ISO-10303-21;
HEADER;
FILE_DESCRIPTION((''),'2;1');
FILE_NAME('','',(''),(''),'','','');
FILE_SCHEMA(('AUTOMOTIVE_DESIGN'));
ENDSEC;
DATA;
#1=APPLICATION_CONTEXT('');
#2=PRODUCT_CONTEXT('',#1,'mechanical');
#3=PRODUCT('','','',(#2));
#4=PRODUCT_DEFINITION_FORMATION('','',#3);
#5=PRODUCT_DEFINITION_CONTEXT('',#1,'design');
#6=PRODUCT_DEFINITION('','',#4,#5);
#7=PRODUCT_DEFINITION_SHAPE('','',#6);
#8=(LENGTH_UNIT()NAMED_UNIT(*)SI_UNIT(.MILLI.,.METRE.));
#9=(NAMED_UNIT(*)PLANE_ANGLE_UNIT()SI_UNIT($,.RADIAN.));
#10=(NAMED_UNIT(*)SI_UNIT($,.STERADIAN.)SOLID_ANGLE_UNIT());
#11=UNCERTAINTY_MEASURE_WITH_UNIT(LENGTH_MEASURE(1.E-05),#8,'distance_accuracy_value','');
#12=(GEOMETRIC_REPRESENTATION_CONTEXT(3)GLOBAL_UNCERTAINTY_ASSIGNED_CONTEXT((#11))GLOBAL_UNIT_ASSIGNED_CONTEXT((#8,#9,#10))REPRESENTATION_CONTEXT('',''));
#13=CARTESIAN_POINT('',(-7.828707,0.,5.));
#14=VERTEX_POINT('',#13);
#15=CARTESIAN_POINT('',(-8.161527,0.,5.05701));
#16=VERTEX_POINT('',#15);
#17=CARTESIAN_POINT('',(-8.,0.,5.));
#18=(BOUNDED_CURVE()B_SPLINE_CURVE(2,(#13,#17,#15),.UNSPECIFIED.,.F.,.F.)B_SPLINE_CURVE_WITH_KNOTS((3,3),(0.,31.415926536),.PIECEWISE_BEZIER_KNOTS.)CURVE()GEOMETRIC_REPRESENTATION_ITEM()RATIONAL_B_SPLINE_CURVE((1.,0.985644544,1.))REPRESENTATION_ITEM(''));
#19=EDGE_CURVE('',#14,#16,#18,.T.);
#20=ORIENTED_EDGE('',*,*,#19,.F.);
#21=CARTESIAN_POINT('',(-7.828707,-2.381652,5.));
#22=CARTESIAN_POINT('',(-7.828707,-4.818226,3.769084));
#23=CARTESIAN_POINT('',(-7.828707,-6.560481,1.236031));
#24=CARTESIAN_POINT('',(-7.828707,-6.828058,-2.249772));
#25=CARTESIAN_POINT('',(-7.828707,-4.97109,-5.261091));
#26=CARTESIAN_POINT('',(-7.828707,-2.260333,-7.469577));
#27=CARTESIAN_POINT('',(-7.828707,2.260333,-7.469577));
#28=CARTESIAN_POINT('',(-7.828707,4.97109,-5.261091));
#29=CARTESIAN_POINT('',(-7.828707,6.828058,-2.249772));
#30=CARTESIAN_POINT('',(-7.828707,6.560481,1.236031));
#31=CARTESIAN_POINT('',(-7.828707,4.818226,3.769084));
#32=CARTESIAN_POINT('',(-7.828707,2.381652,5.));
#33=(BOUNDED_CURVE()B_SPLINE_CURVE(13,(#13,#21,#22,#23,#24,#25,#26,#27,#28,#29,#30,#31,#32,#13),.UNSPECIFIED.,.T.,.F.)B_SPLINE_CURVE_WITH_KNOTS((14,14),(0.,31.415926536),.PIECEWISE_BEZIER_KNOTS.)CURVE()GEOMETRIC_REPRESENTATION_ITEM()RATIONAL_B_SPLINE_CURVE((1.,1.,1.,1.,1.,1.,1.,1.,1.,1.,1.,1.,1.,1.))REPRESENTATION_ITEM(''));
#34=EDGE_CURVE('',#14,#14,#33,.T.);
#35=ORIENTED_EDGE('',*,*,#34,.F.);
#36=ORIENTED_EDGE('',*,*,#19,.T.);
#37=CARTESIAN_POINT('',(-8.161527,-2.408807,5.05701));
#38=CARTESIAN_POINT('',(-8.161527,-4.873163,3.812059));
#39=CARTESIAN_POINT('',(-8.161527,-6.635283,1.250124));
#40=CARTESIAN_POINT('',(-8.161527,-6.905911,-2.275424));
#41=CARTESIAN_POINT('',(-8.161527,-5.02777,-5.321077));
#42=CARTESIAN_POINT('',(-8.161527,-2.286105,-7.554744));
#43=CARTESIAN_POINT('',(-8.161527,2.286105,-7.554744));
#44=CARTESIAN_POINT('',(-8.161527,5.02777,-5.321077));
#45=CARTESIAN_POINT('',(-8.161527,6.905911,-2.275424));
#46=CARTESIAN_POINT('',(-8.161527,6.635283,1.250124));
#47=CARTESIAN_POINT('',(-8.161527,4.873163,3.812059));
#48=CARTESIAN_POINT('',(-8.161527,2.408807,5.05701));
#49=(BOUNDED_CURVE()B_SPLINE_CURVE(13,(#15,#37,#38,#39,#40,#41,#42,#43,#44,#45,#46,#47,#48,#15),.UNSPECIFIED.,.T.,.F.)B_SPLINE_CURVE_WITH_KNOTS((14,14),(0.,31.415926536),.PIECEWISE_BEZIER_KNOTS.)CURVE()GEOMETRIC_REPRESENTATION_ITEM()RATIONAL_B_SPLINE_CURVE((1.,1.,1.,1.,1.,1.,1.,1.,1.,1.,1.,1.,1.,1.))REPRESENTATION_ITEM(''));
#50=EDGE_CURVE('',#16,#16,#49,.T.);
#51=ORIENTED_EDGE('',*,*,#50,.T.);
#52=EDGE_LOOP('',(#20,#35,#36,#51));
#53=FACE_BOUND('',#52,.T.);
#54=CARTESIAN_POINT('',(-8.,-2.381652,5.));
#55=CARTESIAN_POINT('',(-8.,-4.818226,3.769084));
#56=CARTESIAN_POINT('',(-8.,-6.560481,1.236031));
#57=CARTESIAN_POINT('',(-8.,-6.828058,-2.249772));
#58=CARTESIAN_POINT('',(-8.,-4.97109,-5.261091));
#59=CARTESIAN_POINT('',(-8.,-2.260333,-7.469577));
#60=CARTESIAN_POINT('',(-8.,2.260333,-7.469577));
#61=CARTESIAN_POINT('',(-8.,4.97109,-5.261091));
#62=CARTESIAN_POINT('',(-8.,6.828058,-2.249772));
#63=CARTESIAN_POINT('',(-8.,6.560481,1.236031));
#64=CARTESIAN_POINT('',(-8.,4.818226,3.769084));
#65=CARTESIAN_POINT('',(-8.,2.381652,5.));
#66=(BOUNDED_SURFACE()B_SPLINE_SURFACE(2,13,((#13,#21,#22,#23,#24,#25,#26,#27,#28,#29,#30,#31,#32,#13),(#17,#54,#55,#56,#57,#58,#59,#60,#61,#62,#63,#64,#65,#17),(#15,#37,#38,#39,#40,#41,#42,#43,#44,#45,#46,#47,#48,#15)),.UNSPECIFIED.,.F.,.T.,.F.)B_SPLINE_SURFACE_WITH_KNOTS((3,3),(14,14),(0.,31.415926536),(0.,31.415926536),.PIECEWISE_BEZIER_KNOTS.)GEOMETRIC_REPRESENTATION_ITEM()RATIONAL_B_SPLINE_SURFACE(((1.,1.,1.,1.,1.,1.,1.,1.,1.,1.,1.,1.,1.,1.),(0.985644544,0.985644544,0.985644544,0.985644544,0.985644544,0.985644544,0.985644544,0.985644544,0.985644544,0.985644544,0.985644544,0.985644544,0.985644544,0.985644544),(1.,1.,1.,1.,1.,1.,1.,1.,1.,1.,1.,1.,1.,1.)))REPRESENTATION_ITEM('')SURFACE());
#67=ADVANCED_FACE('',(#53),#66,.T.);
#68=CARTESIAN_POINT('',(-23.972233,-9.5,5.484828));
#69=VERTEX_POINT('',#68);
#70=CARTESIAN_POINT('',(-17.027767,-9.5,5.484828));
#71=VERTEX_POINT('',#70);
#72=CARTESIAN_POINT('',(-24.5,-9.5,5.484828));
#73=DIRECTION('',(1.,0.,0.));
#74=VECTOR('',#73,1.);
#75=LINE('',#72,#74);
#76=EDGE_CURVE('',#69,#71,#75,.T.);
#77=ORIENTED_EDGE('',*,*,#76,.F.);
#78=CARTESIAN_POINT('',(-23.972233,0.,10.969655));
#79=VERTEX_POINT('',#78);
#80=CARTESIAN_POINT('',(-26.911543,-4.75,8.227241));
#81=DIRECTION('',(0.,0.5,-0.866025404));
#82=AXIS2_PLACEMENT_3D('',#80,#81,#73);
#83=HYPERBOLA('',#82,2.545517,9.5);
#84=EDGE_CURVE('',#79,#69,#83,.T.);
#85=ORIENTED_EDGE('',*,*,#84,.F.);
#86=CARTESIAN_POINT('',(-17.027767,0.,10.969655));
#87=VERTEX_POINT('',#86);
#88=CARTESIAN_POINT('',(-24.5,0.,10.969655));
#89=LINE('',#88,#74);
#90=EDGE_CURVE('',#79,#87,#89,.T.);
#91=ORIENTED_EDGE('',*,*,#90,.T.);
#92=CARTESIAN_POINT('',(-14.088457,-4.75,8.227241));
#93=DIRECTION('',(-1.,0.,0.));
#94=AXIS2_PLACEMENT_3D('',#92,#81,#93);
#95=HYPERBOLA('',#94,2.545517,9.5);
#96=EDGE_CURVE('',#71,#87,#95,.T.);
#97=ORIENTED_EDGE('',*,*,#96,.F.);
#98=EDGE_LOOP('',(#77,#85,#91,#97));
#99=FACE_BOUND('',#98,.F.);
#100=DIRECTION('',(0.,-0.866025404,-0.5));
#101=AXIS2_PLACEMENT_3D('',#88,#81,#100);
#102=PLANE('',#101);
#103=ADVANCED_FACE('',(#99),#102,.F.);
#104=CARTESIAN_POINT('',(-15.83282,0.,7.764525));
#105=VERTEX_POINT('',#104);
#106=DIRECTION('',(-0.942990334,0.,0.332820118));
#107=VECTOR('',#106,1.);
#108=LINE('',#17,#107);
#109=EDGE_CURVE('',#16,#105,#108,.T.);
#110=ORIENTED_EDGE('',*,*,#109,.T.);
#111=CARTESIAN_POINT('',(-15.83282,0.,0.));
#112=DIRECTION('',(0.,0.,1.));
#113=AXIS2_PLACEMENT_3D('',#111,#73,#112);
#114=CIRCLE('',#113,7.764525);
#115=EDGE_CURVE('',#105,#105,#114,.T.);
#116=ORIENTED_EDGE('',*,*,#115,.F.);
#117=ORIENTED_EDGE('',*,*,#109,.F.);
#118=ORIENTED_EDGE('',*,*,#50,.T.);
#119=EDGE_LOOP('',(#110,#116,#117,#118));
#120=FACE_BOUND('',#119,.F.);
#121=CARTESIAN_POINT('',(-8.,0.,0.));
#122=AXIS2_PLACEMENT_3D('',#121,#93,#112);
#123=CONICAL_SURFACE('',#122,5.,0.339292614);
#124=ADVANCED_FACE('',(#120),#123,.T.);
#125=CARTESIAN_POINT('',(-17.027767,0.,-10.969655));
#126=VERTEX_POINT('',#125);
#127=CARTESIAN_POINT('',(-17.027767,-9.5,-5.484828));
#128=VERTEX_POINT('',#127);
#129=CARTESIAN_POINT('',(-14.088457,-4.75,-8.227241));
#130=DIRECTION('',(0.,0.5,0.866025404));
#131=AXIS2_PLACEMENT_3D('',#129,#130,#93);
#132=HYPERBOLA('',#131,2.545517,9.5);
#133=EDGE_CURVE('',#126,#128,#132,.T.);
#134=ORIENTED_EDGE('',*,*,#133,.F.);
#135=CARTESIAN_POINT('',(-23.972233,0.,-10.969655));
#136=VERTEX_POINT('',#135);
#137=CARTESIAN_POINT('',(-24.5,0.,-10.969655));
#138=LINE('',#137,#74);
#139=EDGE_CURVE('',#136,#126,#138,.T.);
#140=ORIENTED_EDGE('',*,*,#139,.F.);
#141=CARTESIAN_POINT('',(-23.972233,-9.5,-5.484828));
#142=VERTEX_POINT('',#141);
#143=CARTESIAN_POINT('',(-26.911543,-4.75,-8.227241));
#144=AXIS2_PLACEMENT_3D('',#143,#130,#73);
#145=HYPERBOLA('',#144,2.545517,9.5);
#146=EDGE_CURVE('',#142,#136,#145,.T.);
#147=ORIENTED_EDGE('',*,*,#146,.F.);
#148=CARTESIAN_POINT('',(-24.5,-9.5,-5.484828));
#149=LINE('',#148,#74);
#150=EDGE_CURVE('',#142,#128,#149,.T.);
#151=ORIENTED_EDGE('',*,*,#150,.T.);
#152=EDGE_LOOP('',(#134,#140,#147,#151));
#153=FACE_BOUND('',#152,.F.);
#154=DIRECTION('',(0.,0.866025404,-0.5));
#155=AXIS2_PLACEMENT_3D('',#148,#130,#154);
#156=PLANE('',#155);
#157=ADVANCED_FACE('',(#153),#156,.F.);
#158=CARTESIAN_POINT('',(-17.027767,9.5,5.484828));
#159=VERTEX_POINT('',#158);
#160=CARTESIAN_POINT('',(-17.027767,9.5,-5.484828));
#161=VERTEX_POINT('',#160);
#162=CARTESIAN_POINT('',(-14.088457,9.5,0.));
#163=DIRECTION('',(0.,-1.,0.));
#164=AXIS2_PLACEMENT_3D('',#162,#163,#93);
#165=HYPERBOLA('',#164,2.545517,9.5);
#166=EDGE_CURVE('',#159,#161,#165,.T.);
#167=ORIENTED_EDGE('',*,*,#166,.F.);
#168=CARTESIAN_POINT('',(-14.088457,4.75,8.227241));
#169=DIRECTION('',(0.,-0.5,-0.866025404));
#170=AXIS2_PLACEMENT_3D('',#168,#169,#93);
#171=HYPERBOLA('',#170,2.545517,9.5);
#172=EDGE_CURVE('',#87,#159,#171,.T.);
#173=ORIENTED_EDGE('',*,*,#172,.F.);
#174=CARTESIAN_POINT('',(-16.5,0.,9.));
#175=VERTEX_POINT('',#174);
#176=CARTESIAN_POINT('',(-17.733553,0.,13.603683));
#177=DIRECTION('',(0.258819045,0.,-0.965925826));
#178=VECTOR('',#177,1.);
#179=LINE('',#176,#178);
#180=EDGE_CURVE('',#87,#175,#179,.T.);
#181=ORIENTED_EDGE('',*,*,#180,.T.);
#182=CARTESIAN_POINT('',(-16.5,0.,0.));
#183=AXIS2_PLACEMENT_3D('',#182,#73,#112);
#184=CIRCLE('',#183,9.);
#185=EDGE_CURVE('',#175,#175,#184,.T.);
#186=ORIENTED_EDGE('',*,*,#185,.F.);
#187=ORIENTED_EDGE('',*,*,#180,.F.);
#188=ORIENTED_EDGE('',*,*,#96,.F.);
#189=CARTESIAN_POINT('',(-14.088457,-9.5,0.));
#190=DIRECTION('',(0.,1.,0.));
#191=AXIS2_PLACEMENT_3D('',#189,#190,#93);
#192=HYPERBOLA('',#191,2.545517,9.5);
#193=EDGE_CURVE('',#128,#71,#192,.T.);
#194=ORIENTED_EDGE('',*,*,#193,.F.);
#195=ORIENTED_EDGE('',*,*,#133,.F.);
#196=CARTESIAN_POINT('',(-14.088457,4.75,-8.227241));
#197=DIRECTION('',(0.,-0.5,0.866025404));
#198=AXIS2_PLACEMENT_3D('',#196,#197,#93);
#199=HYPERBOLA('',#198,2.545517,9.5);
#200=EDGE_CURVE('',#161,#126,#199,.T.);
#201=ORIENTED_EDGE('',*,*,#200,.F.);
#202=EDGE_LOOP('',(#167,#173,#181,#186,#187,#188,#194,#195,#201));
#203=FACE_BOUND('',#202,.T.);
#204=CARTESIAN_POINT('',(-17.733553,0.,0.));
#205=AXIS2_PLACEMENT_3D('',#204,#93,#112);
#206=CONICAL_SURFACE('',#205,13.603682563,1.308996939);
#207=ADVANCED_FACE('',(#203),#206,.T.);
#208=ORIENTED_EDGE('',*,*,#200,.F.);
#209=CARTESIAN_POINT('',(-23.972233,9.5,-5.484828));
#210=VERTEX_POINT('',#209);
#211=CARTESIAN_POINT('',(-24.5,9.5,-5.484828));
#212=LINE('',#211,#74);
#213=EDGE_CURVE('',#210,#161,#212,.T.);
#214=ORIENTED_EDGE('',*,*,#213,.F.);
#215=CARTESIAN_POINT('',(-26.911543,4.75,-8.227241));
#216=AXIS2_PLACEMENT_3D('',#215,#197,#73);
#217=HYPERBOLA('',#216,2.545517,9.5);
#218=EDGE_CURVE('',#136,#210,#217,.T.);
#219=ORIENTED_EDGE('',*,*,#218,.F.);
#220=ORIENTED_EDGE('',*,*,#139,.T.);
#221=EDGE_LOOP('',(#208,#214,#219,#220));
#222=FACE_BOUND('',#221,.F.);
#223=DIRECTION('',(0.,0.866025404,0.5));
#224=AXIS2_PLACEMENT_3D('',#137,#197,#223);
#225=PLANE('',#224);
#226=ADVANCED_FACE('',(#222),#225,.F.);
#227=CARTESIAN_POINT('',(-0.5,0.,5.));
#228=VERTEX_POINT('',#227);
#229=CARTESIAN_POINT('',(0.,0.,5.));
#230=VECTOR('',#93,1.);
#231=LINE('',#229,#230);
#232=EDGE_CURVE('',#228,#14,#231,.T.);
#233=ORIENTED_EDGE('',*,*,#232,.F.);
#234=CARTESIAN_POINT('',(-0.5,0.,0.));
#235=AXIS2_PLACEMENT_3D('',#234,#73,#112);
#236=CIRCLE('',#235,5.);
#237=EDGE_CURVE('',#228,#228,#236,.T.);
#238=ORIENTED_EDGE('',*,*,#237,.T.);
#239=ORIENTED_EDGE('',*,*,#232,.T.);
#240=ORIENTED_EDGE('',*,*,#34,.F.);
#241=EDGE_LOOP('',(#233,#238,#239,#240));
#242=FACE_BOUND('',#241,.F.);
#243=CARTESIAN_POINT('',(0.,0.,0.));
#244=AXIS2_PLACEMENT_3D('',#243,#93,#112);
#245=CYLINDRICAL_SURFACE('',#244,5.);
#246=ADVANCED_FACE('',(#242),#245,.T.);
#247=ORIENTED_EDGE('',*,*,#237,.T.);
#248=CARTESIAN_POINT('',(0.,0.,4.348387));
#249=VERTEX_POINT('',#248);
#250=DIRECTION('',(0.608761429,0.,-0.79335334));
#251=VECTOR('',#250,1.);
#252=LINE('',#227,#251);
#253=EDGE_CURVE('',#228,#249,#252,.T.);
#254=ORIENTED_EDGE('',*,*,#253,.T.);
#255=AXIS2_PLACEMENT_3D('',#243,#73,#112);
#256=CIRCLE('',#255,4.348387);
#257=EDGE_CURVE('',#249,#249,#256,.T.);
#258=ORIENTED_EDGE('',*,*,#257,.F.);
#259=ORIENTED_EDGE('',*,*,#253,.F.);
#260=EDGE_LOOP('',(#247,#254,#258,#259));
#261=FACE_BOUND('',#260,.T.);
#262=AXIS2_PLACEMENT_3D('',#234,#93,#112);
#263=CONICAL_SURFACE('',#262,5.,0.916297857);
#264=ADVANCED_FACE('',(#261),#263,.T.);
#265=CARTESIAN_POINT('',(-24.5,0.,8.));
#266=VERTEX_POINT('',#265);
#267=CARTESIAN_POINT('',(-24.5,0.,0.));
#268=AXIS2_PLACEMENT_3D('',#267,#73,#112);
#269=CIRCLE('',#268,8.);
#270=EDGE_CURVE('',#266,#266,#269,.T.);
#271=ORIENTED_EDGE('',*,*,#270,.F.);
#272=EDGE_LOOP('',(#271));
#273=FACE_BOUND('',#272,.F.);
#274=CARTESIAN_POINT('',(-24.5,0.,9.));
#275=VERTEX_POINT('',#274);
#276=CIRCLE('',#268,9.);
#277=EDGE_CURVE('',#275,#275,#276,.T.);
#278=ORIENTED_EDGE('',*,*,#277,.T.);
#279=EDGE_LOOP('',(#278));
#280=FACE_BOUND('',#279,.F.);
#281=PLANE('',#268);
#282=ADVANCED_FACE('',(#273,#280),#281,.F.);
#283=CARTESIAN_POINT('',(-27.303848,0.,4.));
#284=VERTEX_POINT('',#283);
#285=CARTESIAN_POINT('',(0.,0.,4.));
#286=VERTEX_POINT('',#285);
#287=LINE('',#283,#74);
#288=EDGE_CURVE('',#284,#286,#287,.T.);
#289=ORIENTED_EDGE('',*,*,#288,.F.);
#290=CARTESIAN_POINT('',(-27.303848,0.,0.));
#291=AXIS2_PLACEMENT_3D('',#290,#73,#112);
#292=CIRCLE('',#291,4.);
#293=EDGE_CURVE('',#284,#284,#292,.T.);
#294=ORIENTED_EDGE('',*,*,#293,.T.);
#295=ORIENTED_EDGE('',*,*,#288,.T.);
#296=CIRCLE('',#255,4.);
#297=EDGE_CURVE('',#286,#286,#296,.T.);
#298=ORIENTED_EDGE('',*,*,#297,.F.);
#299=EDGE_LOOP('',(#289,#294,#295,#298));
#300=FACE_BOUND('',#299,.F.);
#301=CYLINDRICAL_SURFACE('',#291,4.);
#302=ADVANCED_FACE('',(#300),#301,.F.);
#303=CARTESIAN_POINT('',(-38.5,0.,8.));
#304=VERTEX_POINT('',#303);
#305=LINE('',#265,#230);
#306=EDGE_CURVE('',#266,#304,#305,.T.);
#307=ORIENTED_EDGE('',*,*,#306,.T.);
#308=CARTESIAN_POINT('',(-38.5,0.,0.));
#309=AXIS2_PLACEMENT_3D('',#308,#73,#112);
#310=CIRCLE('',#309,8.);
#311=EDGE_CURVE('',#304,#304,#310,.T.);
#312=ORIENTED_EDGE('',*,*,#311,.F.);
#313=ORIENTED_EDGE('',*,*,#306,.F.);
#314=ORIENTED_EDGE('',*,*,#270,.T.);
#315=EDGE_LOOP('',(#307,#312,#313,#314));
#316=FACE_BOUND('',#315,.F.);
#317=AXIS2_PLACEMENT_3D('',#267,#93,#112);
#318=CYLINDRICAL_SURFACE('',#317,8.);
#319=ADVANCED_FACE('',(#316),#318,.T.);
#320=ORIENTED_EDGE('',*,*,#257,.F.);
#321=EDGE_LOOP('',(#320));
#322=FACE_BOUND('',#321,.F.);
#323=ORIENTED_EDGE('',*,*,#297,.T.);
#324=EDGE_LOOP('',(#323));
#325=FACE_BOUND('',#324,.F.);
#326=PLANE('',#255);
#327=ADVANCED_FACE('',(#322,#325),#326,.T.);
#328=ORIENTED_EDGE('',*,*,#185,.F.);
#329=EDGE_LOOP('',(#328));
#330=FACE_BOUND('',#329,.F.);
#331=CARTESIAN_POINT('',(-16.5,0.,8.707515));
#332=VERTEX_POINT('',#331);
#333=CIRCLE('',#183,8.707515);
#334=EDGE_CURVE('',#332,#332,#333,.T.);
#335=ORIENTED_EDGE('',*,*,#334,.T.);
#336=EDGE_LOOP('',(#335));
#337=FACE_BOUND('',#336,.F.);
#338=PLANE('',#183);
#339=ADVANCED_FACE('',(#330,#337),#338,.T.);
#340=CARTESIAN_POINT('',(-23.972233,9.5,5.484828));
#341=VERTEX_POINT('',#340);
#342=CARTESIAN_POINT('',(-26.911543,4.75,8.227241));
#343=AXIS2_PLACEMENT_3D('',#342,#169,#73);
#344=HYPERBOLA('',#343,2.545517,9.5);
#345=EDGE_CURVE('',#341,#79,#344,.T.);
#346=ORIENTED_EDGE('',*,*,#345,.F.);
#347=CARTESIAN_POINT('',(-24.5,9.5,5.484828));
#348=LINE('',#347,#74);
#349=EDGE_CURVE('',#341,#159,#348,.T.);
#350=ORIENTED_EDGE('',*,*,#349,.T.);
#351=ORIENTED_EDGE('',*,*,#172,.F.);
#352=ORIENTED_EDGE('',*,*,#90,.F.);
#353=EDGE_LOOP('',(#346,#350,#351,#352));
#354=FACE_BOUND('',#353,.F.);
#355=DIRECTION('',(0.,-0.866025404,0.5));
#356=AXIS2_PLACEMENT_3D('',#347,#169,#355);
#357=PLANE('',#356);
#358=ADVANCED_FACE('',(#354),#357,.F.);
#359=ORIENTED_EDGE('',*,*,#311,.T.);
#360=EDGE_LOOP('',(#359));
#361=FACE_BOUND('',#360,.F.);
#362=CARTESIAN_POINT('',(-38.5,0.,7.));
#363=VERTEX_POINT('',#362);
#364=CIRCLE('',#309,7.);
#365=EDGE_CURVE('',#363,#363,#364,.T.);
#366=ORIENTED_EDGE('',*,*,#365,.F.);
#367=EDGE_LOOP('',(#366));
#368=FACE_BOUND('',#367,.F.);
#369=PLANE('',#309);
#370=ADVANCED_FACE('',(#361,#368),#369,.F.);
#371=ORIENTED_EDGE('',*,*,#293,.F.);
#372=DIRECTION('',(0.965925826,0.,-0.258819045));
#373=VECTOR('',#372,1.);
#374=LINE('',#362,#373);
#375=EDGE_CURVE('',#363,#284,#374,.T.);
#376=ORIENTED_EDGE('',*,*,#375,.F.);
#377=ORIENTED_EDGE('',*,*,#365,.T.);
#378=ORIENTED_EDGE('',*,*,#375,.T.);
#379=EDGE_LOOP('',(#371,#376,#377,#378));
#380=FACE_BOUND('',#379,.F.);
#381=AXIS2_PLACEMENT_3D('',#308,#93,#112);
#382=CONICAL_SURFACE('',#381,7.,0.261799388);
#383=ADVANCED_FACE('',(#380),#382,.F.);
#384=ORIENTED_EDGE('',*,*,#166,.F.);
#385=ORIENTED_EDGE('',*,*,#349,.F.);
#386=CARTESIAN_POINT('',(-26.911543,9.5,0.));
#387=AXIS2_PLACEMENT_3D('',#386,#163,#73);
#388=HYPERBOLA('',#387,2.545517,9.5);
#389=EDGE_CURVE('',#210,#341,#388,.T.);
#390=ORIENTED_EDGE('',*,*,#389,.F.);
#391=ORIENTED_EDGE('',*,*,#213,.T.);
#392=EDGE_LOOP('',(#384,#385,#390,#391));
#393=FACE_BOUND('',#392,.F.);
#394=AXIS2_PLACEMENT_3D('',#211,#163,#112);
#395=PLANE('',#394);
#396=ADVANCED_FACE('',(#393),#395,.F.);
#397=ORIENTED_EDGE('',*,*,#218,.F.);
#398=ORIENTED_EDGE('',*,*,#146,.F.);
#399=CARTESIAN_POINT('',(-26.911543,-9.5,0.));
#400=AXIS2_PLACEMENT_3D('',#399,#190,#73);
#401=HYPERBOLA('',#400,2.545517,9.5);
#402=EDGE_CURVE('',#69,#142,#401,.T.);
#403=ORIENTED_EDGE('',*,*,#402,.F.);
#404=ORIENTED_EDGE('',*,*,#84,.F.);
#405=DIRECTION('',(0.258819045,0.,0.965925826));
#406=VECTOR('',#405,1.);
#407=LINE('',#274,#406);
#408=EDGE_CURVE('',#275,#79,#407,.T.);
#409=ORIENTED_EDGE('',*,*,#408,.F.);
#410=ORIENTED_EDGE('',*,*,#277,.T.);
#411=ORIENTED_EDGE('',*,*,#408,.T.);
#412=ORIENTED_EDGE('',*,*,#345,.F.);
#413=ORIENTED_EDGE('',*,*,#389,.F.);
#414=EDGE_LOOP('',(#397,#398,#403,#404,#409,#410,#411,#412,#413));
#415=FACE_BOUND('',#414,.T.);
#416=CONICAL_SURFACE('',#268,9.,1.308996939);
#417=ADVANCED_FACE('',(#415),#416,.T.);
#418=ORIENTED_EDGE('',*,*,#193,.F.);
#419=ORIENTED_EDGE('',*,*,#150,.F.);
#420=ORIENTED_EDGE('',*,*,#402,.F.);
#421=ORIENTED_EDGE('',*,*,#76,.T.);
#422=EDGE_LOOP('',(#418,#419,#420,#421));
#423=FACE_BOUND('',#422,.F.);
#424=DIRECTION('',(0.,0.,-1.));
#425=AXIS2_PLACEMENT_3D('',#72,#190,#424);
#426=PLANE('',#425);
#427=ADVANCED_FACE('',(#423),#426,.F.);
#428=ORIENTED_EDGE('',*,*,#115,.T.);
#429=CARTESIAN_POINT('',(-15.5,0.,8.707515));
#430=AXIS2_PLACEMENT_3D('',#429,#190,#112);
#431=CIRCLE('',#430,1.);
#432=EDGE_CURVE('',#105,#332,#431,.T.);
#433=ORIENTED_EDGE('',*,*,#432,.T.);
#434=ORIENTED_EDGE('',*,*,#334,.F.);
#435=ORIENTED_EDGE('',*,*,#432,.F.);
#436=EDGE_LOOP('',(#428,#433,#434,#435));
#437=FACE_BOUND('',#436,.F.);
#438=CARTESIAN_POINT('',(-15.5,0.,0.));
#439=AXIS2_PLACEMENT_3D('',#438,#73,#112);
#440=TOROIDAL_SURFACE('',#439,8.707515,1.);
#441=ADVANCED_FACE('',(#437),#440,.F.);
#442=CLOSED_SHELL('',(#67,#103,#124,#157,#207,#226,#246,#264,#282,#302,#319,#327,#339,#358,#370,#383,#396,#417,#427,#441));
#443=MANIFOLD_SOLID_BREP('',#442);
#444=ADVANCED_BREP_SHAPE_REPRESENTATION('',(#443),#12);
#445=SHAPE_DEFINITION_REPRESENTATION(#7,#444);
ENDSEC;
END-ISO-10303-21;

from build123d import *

# Parameters (mm, degrees)
F2_SIZE2 = 0.6516126864
F2_SIZE  = 0.5
F3_R     = 1
F4_R     = 12
F5_DEPTH = 25


with BuildPart() as f1:
    # F0 (on Front) → F1 (revolve)
    with BuildSketch(Plane.XZ):
        Polygon((-27.3038475773, 4), (0, 4), (0, 5), (-8, 5), (-16.5, 8), (-16.5, 12), (-24.5, 12), (-24.5, 8), (-38.5, 8), (-38.5, 7), align=None)
    revolve(axis=Axis((0.1931033472, 0, 0), (1, 0, 0)))

    # F2
    f2_edges = [f1.edges().sort_by_distance(p)[0] for p in [
        (0, 0, -5),
    ]]
    f2_side = f1.faces().sort_by_distance((-4, 0, -5))[0]
    chamfer(f2_edges, length=F2_SIZE, length2=F2_SIZE2, reference=f2_side)

    # F3
    f3_edges = [f1.edges().sort_by_distance(p)[0] for p in [
        (-16.5, 0, -8),
        (-8, 0, -5),
    ]]
    fillet(f3_edges, radius=F3_R)

    # F4 (on face) → F5 (cut)
    with BuildSketch(Plane(origin=(-24.5, 0, 0), x_dir=(0, -1, 0), z_dir=(-1, 0, 0))):
        Circle(F4_R)
        Polygon((-9.5, -5.4848275573), (-9.5, 5.4848275573), (0, 10.9696551146), (9.5, 5.4848275573), (9.5, -5.4848275573), (0, -10.9696551146), align=None, mode=Mode.SUBTRACT)
    extrude(amount=-F5_DEPTH, mode=Mode.SUBTRACT)

    # F6 (on Front) → F7 (revolve, cut)
    with BuildSketch(Plane.XZ):
        Polygon((-24.5, 13.6036825632), (-24.5, 10.9696551146), (-24.5, 9), (-23.266446975, 13.6036825632), align=None)
        Polygon((-17.733553025, 13.6036825632), (-16.5, 9), (-16.5, 10.9696551146), (-16.5, 13.6036825632), align=None)
    revolve(axis=Axis((5.1041673869, 0, 0), (1, 0, 0)), mode=Mode.SUBTRACT)


solid = f1.part
